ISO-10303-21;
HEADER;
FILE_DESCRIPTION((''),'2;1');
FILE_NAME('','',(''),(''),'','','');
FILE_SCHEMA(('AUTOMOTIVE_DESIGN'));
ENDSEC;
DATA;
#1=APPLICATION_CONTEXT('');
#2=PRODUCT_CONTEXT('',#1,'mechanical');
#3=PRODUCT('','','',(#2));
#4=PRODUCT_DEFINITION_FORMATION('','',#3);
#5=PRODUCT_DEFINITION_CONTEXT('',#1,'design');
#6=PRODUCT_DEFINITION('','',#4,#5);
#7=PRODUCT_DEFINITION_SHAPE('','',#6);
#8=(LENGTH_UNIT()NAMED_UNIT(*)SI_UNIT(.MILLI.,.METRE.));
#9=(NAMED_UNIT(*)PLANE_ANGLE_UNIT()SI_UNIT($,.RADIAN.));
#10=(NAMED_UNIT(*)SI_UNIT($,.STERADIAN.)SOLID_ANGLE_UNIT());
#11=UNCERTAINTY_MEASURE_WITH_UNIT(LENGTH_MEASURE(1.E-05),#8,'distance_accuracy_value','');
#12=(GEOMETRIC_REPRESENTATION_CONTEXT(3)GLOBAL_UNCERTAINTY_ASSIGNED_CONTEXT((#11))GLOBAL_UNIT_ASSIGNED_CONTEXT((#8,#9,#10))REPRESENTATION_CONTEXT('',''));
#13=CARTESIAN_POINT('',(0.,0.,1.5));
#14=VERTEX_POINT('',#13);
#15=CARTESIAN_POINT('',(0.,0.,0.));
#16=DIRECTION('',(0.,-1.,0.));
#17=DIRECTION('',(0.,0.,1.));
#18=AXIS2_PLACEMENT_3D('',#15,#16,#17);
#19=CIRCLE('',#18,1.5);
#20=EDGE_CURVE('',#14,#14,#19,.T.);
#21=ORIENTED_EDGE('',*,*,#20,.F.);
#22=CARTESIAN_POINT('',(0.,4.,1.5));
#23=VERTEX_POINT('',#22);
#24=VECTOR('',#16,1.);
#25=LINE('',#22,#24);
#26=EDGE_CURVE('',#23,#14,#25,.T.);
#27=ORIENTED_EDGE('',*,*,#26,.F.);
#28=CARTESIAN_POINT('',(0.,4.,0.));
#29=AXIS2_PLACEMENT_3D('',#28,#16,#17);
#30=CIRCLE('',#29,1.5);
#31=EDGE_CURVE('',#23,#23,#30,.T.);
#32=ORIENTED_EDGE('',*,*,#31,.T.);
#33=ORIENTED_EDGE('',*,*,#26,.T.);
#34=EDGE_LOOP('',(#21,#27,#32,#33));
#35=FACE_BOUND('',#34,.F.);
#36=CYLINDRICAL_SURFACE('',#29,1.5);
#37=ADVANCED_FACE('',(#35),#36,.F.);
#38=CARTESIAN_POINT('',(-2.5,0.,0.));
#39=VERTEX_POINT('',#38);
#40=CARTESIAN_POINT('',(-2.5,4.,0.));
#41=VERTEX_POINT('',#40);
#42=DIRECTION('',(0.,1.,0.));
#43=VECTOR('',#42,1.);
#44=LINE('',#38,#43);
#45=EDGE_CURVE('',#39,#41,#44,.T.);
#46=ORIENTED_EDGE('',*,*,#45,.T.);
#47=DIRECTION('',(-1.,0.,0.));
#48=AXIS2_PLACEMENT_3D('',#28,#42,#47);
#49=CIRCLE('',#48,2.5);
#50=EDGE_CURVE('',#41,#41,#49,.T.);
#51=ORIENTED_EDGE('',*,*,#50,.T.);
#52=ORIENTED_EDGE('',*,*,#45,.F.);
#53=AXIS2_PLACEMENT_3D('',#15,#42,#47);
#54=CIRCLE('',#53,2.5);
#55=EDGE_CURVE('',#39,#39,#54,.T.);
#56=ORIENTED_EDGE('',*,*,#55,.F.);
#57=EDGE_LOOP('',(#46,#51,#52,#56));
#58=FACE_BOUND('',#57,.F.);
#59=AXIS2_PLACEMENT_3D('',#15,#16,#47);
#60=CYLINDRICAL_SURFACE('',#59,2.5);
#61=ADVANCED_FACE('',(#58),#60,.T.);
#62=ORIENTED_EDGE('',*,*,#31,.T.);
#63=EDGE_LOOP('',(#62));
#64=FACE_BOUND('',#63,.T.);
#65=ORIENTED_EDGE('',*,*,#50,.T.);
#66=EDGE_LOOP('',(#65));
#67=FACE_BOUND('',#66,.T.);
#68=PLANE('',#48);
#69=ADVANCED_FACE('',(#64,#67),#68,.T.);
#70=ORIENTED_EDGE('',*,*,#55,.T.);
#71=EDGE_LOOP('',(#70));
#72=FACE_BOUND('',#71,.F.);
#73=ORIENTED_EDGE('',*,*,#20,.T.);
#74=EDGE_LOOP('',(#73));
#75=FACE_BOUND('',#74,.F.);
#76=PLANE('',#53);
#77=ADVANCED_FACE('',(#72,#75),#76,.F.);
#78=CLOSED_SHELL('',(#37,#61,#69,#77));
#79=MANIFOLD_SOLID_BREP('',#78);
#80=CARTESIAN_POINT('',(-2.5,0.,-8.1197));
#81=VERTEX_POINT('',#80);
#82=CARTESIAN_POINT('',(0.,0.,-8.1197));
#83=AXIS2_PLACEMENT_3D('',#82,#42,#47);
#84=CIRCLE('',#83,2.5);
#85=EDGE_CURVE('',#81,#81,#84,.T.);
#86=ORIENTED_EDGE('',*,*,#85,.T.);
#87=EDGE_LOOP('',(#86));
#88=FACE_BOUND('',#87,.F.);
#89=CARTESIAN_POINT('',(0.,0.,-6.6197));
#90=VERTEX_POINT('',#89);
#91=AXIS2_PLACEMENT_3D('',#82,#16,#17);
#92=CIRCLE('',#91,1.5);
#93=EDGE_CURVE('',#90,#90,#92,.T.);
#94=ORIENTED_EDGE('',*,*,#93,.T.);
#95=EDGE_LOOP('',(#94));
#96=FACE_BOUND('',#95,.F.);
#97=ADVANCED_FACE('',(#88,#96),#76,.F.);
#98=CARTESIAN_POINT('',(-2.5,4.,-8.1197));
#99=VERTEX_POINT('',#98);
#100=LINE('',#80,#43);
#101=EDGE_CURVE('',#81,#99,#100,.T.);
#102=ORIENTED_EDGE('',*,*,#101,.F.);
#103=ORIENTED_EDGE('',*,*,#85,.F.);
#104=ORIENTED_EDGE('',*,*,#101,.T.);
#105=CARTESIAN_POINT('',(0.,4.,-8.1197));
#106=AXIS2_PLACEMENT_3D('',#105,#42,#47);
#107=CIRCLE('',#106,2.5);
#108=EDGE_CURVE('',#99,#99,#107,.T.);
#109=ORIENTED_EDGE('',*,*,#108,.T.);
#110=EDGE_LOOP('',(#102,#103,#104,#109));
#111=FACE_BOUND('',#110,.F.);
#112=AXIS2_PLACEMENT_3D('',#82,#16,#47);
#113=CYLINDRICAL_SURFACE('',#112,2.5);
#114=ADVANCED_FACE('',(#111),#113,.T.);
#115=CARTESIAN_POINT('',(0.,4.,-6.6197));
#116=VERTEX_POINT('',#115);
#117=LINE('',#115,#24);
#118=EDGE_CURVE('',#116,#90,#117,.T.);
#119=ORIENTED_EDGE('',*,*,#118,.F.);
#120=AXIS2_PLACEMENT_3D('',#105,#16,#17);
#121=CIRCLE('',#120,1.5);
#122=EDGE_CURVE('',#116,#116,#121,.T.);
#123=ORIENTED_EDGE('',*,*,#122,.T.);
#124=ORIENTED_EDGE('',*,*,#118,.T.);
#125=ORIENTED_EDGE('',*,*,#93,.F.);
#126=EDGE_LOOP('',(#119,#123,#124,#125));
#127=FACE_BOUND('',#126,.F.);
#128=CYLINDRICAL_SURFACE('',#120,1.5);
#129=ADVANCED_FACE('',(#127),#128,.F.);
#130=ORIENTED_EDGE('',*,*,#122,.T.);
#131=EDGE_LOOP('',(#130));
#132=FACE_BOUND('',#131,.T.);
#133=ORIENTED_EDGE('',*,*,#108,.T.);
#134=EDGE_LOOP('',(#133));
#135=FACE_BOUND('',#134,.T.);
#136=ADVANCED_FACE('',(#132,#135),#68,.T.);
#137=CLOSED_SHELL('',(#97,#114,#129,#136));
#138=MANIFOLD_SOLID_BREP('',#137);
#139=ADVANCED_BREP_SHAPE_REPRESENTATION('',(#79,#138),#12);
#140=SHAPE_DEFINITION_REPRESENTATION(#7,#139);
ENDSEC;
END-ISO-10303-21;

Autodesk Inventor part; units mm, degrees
ref_plane "YZ Plane" through (0, 0, 0) normal (1, 0, 0) x (0, 1, 0)
ref_plane "XZ Plane" through (0, 0, 0) normal (0, 1, 0) x (-1, 0, 0)
ref_plane "XY Plane" through (0, 0, 0) normal (0, 0, 1) x (1, 0, 0)
sketch "Sketch1" plane through (0, 0, 0) normal (0, 1, 0) x (-1, 0, 0)
  circle A0 centre (0, 0) radius 2.5
  circle A1 centre (0, -8.1197) radius 2.5
  dimension "d0" = 5
  dimension "d1" = 5
extrude "Extrusion1" add sketch "Sketch1" along normal blind 4
sketch "Sketch2" plane through (0, 4, 0) normal (0, 1, 0) x (1, 0, 0)
  circle A0 centre (0, 0) radius 2.5 projected
  circle A1 centre (0, 8.1197) radius 2.5 projected
hole "Hole1" at (0, 4, 0) at (0, 4, -8.1197) direction (0, -1, 0) diameter 3 end through all
properties part number "adapters"
